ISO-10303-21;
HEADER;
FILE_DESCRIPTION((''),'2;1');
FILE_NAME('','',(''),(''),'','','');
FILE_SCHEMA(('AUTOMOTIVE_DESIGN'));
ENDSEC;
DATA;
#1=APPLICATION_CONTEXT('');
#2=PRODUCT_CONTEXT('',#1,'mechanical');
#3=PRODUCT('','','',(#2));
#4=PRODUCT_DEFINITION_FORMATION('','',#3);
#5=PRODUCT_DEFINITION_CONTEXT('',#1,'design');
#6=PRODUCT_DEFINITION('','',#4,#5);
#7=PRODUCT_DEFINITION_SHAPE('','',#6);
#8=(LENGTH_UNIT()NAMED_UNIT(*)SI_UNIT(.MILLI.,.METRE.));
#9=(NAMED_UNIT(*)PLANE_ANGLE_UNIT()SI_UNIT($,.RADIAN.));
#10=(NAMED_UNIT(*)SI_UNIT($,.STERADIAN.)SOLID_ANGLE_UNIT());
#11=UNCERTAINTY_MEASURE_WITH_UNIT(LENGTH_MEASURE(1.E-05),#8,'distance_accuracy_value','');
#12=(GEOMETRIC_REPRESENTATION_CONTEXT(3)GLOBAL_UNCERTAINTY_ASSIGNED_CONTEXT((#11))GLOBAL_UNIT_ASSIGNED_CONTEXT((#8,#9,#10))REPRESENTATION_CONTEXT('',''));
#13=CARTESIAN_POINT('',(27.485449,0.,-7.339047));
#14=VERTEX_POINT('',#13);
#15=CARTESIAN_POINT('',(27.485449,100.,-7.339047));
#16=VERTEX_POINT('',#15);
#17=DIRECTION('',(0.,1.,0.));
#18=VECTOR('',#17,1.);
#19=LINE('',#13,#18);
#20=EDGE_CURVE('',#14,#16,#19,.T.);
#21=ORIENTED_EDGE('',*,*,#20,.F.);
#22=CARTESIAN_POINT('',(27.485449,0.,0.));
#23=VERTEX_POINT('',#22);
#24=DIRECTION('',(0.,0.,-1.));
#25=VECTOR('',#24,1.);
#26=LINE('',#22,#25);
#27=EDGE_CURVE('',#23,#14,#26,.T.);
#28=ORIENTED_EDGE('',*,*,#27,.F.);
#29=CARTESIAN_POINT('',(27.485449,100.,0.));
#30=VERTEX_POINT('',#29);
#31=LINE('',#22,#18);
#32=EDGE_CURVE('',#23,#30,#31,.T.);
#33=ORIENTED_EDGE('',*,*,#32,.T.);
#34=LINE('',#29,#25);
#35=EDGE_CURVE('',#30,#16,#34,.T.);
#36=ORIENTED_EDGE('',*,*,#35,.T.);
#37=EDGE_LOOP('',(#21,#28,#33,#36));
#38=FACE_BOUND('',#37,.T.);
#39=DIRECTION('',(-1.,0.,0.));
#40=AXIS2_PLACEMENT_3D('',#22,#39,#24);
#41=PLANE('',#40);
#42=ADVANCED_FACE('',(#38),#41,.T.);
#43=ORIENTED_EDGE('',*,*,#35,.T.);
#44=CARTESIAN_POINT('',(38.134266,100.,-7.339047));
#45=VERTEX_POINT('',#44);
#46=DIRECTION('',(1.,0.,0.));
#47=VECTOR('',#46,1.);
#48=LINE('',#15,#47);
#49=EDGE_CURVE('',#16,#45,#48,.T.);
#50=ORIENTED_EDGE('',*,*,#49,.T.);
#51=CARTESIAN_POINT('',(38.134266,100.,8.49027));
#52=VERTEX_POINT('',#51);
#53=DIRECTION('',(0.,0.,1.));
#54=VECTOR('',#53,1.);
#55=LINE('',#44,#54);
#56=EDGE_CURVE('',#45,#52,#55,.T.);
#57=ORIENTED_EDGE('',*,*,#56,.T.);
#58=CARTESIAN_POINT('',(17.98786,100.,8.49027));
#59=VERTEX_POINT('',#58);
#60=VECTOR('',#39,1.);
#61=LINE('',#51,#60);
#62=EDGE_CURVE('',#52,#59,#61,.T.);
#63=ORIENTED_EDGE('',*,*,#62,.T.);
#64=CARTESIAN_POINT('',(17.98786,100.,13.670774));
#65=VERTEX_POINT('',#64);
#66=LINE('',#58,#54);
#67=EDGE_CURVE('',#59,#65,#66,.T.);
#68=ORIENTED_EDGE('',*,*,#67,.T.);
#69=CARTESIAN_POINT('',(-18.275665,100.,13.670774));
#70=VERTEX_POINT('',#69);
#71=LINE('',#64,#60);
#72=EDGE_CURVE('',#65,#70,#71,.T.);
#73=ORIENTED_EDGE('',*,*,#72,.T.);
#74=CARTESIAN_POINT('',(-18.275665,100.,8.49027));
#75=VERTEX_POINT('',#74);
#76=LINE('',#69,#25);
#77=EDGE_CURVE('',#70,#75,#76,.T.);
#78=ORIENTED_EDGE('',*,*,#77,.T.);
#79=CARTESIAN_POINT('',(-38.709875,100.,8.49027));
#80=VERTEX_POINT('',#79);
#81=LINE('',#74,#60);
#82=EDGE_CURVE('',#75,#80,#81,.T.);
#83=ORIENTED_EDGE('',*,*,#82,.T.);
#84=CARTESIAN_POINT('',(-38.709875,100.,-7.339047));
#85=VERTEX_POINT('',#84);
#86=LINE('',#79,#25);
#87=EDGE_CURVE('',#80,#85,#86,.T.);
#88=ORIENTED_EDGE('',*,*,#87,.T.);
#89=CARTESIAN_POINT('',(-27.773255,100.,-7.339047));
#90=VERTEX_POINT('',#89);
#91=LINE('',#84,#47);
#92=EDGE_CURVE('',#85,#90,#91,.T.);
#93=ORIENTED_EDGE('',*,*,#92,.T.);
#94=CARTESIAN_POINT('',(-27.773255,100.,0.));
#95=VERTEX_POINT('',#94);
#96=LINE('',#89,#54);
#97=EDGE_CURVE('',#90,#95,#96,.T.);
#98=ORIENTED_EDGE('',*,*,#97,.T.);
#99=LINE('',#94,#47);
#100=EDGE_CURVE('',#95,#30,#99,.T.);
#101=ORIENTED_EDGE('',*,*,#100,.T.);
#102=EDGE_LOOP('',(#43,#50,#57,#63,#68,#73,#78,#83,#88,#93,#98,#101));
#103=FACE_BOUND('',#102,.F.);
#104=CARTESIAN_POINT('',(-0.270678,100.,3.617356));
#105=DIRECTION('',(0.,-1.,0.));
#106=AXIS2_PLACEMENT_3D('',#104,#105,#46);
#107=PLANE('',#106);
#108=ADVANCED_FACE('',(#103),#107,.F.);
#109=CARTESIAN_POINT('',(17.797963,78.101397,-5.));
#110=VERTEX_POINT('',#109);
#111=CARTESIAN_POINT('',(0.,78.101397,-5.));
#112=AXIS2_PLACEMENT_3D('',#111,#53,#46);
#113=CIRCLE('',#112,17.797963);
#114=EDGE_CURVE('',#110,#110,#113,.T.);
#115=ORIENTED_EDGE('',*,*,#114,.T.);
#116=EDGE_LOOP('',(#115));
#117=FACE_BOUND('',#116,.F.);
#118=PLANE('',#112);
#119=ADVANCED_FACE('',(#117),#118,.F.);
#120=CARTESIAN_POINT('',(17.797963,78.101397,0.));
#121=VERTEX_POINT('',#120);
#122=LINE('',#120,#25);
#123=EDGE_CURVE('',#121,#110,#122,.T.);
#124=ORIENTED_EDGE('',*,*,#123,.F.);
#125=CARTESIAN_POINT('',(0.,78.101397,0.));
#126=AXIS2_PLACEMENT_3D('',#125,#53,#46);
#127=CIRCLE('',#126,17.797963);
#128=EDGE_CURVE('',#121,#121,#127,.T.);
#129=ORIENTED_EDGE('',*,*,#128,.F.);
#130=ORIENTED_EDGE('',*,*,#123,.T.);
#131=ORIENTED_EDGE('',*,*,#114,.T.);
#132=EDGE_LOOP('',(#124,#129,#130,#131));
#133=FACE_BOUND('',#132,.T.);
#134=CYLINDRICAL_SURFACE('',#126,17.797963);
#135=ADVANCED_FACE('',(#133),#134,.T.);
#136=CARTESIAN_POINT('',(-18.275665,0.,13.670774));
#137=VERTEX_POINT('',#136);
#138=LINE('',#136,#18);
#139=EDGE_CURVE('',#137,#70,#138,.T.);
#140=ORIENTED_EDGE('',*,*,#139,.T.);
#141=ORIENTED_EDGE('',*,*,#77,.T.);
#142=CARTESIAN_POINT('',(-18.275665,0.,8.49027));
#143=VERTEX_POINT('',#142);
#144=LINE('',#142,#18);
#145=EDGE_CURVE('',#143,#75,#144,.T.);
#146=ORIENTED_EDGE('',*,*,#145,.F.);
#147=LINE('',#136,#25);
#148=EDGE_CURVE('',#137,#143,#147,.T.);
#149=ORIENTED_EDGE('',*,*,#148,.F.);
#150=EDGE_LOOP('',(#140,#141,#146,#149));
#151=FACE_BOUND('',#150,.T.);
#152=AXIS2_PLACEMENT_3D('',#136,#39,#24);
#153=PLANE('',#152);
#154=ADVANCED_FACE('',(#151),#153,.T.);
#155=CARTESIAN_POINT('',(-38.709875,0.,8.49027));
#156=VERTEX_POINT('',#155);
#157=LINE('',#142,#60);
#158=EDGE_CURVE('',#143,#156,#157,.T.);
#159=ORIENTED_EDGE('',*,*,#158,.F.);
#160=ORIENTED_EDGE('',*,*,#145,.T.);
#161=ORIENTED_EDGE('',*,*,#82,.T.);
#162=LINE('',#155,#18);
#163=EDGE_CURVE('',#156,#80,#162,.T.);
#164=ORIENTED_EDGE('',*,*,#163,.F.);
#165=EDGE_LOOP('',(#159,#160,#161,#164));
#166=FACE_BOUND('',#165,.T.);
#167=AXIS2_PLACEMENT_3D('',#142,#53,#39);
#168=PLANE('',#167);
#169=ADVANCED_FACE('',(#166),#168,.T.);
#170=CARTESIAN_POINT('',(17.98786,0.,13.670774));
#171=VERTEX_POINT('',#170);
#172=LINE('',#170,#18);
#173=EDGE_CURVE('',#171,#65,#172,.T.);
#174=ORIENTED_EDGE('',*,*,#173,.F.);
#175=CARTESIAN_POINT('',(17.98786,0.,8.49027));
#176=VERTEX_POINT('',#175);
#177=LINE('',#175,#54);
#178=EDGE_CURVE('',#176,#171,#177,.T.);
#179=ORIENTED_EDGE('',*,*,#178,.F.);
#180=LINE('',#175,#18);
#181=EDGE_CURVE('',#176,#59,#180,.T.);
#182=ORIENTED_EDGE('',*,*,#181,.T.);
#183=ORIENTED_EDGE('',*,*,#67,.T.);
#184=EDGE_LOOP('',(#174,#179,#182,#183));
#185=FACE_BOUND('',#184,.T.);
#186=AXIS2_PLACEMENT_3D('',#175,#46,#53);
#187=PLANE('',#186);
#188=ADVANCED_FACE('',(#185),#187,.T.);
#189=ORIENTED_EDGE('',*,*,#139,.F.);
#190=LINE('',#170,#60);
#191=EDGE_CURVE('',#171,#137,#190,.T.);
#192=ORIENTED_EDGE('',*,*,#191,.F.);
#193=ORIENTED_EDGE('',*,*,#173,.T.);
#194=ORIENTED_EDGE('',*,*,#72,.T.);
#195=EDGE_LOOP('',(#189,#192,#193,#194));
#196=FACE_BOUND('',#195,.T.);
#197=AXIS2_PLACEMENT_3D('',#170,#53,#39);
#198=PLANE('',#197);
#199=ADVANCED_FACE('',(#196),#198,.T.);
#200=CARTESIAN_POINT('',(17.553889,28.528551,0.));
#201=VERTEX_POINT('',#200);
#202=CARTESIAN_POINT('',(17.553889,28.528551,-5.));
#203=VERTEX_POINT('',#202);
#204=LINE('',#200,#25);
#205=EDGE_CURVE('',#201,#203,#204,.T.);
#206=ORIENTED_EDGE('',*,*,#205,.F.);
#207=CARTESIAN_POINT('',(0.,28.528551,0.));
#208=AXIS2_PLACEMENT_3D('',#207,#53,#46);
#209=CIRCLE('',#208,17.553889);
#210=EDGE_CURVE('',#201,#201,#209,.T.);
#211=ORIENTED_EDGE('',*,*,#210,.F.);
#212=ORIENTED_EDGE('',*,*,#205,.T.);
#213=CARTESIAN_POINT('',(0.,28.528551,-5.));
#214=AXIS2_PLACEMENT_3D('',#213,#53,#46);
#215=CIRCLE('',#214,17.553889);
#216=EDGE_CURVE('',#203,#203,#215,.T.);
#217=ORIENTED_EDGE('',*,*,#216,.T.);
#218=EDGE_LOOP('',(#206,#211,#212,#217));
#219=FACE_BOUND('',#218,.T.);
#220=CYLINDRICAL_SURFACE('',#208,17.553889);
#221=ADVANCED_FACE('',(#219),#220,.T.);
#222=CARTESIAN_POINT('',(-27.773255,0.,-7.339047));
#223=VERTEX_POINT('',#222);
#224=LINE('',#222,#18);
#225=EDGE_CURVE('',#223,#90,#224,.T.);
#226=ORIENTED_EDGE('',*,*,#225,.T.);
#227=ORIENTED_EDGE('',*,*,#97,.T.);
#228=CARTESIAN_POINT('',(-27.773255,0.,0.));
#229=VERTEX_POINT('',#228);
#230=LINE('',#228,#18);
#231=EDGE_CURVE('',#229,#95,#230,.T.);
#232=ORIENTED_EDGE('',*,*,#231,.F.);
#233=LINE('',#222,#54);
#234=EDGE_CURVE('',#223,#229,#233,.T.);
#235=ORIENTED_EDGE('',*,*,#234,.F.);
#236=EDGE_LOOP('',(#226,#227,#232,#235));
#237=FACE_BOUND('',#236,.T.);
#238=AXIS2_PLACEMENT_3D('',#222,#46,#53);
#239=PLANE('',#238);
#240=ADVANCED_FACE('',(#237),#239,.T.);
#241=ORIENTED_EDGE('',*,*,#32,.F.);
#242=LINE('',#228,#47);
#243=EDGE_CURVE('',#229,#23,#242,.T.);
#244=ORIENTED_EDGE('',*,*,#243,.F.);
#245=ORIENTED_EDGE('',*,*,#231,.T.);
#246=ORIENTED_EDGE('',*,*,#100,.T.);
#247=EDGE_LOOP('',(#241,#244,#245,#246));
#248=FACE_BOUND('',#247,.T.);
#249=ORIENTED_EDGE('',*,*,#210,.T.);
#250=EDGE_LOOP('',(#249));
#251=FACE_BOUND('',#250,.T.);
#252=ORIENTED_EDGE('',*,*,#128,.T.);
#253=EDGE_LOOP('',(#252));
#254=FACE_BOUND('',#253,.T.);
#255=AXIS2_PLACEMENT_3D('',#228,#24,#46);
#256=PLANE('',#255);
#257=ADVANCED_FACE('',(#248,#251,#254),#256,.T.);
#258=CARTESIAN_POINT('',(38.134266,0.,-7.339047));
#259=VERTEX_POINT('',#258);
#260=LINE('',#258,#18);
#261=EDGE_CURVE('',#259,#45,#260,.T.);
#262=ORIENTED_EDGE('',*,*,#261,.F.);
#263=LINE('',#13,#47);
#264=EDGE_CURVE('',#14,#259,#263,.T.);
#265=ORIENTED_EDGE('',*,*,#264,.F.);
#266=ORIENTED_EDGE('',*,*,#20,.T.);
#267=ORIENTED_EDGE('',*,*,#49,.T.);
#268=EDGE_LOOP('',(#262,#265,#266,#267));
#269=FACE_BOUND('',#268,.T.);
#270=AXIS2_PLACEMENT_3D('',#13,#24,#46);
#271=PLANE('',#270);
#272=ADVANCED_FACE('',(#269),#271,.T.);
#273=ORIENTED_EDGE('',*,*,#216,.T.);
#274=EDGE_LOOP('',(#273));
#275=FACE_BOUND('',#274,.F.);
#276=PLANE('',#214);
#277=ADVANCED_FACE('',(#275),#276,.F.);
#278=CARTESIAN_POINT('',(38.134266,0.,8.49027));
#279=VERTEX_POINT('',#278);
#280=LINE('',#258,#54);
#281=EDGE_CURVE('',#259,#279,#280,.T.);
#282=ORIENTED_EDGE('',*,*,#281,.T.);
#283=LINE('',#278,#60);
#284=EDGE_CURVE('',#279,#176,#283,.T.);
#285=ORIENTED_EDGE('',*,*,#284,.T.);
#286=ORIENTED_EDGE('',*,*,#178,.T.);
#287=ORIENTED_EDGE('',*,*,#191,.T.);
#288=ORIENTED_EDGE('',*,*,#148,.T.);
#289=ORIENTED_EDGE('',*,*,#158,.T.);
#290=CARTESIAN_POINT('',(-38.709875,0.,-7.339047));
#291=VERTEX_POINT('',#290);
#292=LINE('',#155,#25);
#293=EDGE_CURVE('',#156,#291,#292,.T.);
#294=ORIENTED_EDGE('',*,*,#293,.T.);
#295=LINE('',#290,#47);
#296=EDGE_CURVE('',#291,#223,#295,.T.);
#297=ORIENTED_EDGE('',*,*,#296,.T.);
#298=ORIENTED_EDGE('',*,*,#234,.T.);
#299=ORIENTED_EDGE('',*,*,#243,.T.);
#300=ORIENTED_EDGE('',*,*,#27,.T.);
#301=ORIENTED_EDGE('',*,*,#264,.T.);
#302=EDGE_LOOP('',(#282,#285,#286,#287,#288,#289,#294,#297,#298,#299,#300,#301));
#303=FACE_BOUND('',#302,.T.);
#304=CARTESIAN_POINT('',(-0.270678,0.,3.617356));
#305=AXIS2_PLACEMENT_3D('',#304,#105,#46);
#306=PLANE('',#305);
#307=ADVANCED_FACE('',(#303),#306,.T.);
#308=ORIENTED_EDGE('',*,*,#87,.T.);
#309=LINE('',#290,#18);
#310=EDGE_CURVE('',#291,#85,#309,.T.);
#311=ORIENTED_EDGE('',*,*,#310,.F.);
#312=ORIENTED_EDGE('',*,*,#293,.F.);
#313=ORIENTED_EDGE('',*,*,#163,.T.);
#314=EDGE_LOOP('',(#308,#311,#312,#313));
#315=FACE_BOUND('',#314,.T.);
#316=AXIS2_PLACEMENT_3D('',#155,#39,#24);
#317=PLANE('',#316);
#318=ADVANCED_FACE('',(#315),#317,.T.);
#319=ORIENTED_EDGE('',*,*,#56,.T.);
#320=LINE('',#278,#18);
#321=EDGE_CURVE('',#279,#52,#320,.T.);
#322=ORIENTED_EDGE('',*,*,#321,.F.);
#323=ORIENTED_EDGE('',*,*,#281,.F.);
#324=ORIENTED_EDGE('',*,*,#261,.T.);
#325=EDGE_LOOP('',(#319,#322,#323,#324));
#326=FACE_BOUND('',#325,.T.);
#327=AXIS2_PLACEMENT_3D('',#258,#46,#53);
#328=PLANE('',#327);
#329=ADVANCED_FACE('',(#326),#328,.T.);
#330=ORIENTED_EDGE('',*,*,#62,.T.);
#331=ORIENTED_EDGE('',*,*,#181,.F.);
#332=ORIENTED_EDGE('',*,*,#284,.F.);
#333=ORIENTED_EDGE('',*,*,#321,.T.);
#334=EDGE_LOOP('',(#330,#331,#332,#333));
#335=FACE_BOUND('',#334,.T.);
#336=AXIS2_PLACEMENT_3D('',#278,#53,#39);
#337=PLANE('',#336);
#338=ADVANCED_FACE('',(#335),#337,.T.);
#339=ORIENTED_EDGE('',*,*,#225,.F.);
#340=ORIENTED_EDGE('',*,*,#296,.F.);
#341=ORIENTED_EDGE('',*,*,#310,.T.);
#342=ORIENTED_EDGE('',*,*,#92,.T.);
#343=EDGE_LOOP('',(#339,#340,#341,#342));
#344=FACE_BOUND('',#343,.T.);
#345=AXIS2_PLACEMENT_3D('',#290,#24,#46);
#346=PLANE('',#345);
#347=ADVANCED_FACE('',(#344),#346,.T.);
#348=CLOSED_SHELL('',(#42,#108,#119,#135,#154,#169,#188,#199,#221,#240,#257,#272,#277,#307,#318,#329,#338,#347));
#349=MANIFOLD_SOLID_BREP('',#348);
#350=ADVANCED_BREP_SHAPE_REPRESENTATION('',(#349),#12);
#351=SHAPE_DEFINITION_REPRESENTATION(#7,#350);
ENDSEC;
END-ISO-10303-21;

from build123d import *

# Parameters (mm, degrees)
F1_DEPTH = 100
F2_R     = 17.553889
F2_R_2   = 17.797963
F3_DEPTH = 5


with BuildPart() as f1:
    # F0 (on Front) → F1 (new body)
    with BuildSketch(Plane.XZ):
        Polygon((-18.275665, 8.49027), (-27.773255, 8.49027), (-38.709875, 8.49027), (-38.709875, -7.339047), (-27.773255, -7.339047), (-27.773255, 0), (27.485449, 0), (27.485449, -7.339047), (38.134266, -7.339047), (38.134266, 8.49027), (27.485449, 8.49027), (17.98786, 8.49027), (17.98786, 13.670774), (-18.275665, 13.670774), align=None)
    extrude(amount=-F1_DEPTH)

    # F2 (on Top) → F3 (join)
    with BuildSketch(Plane.XY):
        with Locations((0, 28.528551)):
            Circle(F2_R)
        with Locations((0, 78.101397)):
            Circle(F2_R_2)
    extrude(amount=-F3_DEPTH)


solid = f1.part
